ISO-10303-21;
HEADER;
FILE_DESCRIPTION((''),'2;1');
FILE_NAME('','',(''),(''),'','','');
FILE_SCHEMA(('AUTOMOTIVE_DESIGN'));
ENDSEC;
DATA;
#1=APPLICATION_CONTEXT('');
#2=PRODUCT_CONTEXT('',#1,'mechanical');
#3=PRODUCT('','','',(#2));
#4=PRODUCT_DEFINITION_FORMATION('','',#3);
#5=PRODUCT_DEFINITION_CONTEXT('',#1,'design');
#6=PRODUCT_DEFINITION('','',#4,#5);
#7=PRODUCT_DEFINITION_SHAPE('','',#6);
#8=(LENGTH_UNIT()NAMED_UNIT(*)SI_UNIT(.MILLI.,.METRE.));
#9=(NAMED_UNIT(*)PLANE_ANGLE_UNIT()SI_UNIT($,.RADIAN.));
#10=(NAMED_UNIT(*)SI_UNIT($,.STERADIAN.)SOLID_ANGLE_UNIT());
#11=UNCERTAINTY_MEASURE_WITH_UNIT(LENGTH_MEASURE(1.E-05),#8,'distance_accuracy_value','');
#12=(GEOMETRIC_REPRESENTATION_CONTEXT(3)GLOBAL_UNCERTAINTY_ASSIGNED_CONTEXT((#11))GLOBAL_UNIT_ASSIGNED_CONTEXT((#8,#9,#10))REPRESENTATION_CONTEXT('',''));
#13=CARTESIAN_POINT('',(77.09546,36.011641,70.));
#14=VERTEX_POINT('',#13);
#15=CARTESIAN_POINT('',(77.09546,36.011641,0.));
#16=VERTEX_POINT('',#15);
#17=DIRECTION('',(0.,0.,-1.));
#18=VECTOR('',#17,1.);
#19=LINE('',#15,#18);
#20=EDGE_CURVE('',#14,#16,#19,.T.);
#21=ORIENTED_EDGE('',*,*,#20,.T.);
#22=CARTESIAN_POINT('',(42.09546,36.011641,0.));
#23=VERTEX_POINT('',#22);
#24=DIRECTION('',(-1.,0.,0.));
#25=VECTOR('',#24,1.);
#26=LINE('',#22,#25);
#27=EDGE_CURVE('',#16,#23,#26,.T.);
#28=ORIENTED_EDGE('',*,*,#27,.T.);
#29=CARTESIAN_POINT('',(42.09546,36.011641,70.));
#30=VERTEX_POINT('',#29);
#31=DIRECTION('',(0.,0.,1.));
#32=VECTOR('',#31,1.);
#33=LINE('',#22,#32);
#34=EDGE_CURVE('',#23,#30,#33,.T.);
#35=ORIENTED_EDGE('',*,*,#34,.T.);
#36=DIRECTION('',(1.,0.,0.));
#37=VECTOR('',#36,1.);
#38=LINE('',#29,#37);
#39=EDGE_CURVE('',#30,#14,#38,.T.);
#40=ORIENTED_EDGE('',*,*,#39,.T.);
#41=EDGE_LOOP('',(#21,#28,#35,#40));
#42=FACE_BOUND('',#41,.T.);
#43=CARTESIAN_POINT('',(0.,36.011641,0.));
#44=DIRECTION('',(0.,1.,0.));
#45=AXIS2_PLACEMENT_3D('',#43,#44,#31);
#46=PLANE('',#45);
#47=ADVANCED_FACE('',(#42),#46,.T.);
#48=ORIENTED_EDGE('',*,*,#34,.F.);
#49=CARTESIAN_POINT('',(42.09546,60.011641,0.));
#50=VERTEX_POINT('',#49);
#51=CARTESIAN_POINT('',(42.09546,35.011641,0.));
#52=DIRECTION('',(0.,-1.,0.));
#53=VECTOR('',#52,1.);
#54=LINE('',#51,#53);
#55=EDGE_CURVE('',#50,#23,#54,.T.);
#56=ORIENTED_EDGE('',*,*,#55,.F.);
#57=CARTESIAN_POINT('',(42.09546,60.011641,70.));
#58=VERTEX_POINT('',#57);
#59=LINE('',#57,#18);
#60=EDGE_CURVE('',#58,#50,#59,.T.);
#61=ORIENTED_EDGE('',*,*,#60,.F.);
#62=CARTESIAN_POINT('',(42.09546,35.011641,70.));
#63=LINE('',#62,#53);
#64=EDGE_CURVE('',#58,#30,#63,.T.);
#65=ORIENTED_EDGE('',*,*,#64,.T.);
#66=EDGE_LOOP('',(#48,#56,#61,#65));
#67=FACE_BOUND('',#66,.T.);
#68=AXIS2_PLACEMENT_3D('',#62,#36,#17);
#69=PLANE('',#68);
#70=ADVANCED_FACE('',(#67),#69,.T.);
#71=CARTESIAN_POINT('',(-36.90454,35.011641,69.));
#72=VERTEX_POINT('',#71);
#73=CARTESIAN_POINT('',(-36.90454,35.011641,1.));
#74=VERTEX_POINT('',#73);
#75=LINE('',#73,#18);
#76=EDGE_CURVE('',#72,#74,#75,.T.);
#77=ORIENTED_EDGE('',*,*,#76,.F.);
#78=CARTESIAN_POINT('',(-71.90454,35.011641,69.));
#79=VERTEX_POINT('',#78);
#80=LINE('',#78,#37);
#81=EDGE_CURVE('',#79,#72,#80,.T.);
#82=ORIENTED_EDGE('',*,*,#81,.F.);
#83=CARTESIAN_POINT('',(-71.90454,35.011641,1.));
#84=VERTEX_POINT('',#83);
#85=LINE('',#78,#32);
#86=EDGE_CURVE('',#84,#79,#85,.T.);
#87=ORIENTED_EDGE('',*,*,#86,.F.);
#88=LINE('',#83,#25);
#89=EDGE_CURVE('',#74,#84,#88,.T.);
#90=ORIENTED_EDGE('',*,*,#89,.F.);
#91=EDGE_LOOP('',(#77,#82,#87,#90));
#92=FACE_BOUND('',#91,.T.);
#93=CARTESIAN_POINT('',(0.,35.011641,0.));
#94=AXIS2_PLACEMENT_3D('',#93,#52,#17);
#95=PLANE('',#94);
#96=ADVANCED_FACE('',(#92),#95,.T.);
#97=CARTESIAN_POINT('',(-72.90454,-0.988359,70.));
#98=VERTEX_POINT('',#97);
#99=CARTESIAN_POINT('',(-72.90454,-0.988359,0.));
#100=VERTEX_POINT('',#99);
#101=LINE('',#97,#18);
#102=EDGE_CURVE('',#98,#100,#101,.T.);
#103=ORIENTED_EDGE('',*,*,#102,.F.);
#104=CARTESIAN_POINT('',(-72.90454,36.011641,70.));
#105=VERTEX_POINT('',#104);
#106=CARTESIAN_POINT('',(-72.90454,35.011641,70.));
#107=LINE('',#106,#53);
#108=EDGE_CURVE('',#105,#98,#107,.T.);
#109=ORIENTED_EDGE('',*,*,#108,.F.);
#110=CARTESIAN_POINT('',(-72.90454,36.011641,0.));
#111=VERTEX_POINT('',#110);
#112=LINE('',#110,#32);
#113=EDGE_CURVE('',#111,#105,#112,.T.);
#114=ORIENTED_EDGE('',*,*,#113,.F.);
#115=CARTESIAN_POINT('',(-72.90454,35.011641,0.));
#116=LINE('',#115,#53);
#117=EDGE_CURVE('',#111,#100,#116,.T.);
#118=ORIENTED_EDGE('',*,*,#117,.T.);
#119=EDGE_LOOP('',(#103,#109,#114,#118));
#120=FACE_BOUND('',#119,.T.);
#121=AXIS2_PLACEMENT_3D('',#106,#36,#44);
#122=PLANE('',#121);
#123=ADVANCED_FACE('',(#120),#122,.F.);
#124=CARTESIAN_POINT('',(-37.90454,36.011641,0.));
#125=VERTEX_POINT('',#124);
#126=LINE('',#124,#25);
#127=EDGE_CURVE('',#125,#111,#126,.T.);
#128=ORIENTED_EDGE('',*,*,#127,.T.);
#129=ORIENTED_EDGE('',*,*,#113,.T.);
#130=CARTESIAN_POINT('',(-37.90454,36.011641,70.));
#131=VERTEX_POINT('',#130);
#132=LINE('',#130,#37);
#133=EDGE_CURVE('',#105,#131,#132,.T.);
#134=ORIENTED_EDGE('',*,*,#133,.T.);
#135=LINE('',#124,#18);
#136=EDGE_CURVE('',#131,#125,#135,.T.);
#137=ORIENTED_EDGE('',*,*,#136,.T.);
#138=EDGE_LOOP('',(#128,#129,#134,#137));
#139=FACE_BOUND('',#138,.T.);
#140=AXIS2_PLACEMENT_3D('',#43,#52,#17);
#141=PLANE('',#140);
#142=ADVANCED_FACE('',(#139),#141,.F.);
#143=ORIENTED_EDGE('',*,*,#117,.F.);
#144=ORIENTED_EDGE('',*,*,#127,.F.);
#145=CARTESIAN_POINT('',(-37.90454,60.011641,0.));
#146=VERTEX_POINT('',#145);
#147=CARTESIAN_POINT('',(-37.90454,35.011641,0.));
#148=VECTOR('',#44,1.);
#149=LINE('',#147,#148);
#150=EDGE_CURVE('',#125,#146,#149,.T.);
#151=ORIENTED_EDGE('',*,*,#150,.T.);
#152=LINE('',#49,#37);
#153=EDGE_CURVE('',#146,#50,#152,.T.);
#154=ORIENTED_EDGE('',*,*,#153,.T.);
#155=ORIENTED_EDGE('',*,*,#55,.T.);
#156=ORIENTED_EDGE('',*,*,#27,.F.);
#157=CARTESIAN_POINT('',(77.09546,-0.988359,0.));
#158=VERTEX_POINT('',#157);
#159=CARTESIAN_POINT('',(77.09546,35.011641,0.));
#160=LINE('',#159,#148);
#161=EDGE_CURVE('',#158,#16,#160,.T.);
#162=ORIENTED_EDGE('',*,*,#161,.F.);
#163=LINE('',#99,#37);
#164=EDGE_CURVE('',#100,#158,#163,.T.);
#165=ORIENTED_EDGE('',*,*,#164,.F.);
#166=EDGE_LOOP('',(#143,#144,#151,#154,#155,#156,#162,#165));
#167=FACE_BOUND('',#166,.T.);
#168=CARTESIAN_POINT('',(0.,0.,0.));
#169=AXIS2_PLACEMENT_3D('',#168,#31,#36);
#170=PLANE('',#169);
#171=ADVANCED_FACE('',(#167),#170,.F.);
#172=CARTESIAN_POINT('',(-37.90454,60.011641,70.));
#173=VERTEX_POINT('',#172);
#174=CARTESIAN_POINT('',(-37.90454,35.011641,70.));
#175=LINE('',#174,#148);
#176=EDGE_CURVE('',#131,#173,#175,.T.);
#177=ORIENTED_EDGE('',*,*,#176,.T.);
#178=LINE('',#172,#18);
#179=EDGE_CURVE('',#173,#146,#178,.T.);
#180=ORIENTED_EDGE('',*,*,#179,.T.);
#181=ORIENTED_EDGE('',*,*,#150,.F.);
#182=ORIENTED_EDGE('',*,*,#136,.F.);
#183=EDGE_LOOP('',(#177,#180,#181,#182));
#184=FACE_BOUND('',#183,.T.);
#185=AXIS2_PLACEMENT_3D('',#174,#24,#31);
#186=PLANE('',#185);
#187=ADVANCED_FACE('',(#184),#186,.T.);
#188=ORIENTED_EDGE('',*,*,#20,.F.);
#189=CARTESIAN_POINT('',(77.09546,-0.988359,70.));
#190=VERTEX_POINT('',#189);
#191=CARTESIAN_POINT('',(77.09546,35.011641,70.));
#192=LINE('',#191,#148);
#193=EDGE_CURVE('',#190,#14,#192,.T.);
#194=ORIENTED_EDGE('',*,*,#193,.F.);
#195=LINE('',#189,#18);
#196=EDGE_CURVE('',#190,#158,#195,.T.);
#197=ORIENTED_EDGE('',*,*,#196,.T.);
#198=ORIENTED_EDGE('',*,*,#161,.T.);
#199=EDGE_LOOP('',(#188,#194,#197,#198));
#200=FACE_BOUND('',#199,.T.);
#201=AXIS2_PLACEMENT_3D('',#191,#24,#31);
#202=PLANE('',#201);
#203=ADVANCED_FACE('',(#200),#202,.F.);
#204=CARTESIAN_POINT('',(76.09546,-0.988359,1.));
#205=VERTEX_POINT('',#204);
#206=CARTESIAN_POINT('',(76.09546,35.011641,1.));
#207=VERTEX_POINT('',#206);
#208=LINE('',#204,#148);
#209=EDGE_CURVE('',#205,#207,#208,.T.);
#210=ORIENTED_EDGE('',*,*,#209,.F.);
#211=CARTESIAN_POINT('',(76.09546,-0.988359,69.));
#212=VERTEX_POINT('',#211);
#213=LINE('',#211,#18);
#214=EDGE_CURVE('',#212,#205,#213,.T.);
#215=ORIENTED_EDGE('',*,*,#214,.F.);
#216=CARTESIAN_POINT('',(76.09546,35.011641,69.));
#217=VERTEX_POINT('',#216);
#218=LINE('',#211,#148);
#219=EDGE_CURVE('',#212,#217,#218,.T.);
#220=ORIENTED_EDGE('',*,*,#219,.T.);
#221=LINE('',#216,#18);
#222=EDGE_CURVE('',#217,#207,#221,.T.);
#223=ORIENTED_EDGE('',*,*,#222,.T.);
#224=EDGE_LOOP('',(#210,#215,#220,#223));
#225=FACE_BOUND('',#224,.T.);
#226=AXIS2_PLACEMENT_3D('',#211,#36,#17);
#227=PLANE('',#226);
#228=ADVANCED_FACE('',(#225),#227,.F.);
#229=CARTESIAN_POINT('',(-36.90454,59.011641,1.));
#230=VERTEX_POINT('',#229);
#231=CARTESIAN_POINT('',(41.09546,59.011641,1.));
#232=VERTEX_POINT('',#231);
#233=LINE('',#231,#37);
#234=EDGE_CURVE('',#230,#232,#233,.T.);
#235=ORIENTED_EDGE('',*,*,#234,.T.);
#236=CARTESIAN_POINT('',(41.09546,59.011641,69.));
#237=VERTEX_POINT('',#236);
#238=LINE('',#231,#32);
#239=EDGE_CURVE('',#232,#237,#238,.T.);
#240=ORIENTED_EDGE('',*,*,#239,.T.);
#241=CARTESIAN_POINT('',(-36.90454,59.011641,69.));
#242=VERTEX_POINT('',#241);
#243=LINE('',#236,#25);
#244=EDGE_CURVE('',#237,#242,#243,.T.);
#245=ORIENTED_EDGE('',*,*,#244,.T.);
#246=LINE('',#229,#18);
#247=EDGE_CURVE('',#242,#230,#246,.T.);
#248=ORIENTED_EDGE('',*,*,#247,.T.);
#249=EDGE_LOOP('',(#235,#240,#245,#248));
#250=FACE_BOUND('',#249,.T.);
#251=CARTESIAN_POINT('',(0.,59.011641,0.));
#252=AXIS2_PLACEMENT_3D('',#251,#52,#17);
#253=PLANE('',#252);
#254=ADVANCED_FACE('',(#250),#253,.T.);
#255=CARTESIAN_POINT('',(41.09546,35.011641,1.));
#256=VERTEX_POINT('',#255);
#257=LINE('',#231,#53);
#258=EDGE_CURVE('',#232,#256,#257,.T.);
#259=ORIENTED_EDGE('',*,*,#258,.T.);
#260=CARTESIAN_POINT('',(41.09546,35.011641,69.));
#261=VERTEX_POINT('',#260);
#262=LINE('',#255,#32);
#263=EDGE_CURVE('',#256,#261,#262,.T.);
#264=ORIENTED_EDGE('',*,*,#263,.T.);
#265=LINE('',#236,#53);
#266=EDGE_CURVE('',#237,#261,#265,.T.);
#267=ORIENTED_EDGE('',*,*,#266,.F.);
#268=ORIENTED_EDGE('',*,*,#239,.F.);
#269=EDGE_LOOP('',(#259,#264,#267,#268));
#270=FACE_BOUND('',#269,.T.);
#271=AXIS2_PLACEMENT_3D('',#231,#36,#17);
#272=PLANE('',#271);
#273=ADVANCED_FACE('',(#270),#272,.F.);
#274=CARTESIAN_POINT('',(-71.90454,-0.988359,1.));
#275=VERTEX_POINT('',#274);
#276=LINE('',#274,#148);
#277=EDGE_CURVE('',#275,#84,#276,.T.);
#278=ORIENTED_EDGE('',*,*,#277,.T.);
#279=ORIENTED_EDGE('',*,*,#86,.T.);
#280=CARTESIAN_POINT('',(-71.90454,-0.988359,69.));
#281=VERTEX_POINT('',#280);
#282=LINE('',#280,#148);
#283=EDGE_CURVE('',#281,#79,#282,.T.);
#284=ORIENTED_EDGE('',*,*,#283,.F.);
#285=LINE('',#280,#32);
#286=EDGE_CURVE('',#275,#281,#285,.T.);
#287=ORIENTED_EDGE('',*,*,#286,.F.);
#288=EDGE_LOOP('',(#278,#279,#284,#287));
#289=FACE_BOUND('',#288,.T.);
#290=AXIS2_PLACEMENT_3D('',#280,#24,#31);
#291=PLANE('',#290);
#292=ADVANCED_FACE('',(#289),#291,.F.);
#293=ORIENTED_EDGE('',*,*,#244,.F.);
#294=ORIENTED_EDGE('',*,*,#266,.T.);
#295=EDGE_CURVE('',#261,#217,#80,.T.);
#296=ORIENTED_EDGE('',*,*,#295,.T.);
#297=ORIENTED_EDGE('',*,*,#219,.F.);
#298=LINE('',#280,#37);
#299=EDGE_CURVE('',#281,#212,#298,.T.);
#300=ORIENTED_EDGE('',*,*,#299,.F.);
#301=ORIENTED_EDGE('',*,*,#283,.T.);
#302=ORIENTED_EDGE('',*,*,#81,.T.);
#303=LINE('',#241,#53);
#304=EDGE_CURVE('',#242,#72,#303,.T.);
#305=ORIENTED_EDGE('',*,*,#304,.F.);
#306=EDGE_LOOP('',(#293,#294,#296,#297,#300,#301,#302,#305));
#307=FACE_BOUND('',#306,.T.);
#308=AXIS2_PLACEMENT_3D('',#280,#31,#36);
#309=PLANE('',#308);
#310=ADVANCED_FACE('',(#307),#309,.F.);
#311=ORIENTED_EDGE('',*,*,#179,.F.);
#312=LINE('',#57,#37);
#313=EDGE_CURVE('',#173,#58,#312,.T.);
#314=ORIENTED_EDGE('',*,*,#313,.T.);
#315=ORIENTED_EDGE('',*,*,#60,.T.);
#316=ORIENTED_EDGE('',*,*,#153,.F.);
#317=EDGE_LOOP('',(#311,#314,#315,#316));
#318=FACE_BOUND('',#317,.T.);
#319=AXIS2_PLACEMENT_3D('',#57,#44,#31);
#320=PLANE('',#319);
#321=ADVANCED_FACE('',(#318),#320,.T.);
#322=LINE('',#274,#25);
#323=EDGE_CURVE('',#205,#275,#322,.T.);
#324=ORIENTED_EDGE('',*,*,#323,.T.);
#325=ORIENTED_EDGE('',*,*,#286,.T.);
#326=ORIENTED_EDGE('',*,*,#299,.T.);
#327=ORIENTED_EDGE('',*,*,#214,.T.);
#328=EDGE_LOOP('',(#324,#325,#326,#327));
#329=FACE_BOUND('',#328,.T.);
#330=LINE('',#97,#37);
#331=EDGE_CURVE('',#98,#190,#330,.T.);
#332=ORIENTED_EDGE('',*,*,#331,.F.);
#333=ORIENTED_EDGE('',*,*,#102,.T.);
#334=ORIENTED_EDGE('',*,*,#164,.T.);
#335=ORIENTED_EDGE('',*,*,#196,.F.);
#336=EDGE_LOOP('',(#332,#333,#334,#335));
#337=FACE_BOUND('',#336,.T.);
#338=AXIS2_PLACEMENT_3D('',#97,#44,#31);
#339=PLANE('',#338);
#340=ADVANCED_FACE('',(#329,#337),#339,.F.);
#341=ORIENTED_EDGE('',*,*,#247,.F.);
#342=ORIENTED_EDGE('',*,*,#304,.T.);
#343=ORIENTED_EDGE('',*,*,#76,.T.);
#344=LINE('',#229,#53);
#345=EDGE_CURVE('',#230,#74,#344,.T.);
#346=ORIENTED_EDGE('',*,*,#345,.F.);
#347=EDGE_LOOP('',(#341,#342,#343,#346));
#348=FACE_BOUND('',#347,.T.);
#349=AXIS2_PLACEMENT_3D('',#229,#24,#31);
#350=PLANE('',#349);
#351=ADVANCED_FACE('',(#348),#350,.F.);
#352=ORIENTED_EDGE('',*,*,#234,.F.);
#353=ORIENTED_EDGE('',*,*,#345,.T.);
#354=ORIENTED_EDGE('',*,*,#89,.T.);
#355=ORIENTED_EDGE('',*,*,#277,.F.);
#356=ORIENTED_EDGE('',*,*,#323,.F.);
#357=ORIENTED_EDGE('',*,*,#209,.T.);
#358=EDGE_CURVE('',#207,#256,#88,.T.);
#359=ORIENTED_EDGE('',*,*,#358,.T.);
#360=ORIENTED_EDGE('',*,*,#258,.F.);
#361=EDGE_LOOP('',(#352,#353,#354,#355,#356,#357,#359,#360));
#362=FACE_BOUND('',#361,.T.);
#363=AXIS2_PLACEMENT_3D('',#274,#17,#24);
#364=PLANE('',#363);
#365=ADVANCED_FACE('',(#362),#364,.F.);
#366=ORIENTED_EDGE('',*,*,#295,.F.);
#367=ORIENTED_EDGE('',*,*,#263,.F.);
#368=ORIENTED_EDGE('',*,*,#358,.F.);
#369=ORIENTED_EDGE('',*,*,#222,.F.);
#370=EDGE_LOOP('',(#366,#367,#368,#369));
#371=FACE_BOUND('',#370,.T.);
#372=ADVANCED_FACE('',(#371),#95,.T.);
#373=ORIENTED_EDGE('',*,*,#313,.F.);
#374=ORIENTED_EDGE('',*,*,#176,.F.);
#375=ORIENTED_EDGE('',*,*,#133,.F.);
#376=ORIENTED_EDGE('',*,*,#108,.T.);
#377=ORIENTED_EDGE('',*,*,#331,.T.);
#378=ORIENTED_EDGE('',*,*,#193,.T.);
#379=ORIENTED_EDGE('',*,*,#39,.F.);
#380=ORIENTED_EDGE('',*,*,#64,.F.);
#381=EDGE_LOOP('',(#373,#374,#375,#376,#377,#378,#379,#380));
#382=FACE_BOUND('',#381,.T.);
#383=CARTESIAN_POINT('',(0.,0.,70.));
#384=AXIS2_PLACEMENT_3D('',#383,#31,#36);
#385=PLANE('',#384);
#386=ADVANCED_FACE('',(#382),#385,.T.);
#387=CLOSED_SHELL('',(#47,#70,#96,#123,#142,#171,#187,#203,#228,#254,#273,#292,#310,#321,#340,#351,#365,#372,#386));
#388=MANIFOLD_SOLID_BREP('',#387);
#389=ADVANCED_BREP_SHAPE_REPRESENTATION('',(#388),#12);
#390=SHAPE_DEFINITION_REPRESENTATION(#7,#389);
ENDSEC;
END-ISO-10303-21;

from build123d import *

# Parameters (mm, degrees)
SKETCH1_W           = 150
SKETCH1_H           = 36
BOSS_EXTRUDE1_DEPTH = 70
SKETCH3_W           = 148
SKETCH3_H           = 68
CUT_EXTRUDE1_DEPTH  = 111.180351821
SKETCH4_W           = 35
SKETCH4_H           = 70
BOSS_EXTRUDE3_DEPTH = 1
SKETCH5_W           = 80
SKETCH5_H           = 25
BOSS_EXTRUDE4_DEPTH = 70
SKETCH6_W           = 78
SKETCH6_H           = 68
CUT_EXTRUDE2_DEPTH  = 24


with BuildPart() as part:
    # Sketch1 → Boss-Extrude1 (new body)
    with BuildSketch(Plane.XY):
        with Locations((2.095459837, 17.011641444)):
            Rectangle(SKETCH1_W, SKETCH1_H)
    extrude(amount=BOSS_EXTRUDE1_DEPTH)

    # Sketch3 → Cut-Extrude1 (cut, through all)
    with BuildSketch(Plane(origin=(0, 35.011641444, 0), x_dir=(1, 0, 0), z_dir=(0, 1, 0))):
        with Locations((2.095459837, -35)):
            Rectangle(SKETCH3_W, SKETCH3_H)
    extrude(amount=-CUT_EXTRUDE1_DEPTH, mode=Mode.SUBTRACT)

    # Sketch4 → Boss-Extrude3 (add)
    with BuildSketch(Plane(origin=(0, 35.011641444, 0), x_dir=(1, 0, 0), z_dir=(0, 1, 0))):
        with Locations((59.595459837, -35)):
            Rectangle(SKETCH4_W, SKETCH4_H)
        with Locations((-55.404540163, -35)):
            Rectangle(SKETCH4_W, SKETCH4_H)
    extrude(amount=BOSS_EXTRUDE3_DEPTH)

    # Sketch5 → Boss-Extrude4 (add)
    with BuildSketch(Plane(origin=(0, 0, 0), x_dir=(-1, 0, 0), z_dir=(0, 0, -1))):
        with Locations((-2.095459837, 47.511641444)):
            Rectangle(SKETCH5_W, SKETCH5_H)
    extrude(amount=-BOSS_EXTRUDE4_DEPTH)

    # Sketch6 → Cut-Extrude2 (cut)
    with BuildSketch(Plane.XZ.offset(-35.011641444)):
        with Locations((2.095459837, 35)):
            Rectangle(SKETCH6_W, SKETCH6_H)
    extrude(amount=-CUT_EXTRUDE2_DEPTH, mode=Mode.SUBTRACT)


solid = part.part
